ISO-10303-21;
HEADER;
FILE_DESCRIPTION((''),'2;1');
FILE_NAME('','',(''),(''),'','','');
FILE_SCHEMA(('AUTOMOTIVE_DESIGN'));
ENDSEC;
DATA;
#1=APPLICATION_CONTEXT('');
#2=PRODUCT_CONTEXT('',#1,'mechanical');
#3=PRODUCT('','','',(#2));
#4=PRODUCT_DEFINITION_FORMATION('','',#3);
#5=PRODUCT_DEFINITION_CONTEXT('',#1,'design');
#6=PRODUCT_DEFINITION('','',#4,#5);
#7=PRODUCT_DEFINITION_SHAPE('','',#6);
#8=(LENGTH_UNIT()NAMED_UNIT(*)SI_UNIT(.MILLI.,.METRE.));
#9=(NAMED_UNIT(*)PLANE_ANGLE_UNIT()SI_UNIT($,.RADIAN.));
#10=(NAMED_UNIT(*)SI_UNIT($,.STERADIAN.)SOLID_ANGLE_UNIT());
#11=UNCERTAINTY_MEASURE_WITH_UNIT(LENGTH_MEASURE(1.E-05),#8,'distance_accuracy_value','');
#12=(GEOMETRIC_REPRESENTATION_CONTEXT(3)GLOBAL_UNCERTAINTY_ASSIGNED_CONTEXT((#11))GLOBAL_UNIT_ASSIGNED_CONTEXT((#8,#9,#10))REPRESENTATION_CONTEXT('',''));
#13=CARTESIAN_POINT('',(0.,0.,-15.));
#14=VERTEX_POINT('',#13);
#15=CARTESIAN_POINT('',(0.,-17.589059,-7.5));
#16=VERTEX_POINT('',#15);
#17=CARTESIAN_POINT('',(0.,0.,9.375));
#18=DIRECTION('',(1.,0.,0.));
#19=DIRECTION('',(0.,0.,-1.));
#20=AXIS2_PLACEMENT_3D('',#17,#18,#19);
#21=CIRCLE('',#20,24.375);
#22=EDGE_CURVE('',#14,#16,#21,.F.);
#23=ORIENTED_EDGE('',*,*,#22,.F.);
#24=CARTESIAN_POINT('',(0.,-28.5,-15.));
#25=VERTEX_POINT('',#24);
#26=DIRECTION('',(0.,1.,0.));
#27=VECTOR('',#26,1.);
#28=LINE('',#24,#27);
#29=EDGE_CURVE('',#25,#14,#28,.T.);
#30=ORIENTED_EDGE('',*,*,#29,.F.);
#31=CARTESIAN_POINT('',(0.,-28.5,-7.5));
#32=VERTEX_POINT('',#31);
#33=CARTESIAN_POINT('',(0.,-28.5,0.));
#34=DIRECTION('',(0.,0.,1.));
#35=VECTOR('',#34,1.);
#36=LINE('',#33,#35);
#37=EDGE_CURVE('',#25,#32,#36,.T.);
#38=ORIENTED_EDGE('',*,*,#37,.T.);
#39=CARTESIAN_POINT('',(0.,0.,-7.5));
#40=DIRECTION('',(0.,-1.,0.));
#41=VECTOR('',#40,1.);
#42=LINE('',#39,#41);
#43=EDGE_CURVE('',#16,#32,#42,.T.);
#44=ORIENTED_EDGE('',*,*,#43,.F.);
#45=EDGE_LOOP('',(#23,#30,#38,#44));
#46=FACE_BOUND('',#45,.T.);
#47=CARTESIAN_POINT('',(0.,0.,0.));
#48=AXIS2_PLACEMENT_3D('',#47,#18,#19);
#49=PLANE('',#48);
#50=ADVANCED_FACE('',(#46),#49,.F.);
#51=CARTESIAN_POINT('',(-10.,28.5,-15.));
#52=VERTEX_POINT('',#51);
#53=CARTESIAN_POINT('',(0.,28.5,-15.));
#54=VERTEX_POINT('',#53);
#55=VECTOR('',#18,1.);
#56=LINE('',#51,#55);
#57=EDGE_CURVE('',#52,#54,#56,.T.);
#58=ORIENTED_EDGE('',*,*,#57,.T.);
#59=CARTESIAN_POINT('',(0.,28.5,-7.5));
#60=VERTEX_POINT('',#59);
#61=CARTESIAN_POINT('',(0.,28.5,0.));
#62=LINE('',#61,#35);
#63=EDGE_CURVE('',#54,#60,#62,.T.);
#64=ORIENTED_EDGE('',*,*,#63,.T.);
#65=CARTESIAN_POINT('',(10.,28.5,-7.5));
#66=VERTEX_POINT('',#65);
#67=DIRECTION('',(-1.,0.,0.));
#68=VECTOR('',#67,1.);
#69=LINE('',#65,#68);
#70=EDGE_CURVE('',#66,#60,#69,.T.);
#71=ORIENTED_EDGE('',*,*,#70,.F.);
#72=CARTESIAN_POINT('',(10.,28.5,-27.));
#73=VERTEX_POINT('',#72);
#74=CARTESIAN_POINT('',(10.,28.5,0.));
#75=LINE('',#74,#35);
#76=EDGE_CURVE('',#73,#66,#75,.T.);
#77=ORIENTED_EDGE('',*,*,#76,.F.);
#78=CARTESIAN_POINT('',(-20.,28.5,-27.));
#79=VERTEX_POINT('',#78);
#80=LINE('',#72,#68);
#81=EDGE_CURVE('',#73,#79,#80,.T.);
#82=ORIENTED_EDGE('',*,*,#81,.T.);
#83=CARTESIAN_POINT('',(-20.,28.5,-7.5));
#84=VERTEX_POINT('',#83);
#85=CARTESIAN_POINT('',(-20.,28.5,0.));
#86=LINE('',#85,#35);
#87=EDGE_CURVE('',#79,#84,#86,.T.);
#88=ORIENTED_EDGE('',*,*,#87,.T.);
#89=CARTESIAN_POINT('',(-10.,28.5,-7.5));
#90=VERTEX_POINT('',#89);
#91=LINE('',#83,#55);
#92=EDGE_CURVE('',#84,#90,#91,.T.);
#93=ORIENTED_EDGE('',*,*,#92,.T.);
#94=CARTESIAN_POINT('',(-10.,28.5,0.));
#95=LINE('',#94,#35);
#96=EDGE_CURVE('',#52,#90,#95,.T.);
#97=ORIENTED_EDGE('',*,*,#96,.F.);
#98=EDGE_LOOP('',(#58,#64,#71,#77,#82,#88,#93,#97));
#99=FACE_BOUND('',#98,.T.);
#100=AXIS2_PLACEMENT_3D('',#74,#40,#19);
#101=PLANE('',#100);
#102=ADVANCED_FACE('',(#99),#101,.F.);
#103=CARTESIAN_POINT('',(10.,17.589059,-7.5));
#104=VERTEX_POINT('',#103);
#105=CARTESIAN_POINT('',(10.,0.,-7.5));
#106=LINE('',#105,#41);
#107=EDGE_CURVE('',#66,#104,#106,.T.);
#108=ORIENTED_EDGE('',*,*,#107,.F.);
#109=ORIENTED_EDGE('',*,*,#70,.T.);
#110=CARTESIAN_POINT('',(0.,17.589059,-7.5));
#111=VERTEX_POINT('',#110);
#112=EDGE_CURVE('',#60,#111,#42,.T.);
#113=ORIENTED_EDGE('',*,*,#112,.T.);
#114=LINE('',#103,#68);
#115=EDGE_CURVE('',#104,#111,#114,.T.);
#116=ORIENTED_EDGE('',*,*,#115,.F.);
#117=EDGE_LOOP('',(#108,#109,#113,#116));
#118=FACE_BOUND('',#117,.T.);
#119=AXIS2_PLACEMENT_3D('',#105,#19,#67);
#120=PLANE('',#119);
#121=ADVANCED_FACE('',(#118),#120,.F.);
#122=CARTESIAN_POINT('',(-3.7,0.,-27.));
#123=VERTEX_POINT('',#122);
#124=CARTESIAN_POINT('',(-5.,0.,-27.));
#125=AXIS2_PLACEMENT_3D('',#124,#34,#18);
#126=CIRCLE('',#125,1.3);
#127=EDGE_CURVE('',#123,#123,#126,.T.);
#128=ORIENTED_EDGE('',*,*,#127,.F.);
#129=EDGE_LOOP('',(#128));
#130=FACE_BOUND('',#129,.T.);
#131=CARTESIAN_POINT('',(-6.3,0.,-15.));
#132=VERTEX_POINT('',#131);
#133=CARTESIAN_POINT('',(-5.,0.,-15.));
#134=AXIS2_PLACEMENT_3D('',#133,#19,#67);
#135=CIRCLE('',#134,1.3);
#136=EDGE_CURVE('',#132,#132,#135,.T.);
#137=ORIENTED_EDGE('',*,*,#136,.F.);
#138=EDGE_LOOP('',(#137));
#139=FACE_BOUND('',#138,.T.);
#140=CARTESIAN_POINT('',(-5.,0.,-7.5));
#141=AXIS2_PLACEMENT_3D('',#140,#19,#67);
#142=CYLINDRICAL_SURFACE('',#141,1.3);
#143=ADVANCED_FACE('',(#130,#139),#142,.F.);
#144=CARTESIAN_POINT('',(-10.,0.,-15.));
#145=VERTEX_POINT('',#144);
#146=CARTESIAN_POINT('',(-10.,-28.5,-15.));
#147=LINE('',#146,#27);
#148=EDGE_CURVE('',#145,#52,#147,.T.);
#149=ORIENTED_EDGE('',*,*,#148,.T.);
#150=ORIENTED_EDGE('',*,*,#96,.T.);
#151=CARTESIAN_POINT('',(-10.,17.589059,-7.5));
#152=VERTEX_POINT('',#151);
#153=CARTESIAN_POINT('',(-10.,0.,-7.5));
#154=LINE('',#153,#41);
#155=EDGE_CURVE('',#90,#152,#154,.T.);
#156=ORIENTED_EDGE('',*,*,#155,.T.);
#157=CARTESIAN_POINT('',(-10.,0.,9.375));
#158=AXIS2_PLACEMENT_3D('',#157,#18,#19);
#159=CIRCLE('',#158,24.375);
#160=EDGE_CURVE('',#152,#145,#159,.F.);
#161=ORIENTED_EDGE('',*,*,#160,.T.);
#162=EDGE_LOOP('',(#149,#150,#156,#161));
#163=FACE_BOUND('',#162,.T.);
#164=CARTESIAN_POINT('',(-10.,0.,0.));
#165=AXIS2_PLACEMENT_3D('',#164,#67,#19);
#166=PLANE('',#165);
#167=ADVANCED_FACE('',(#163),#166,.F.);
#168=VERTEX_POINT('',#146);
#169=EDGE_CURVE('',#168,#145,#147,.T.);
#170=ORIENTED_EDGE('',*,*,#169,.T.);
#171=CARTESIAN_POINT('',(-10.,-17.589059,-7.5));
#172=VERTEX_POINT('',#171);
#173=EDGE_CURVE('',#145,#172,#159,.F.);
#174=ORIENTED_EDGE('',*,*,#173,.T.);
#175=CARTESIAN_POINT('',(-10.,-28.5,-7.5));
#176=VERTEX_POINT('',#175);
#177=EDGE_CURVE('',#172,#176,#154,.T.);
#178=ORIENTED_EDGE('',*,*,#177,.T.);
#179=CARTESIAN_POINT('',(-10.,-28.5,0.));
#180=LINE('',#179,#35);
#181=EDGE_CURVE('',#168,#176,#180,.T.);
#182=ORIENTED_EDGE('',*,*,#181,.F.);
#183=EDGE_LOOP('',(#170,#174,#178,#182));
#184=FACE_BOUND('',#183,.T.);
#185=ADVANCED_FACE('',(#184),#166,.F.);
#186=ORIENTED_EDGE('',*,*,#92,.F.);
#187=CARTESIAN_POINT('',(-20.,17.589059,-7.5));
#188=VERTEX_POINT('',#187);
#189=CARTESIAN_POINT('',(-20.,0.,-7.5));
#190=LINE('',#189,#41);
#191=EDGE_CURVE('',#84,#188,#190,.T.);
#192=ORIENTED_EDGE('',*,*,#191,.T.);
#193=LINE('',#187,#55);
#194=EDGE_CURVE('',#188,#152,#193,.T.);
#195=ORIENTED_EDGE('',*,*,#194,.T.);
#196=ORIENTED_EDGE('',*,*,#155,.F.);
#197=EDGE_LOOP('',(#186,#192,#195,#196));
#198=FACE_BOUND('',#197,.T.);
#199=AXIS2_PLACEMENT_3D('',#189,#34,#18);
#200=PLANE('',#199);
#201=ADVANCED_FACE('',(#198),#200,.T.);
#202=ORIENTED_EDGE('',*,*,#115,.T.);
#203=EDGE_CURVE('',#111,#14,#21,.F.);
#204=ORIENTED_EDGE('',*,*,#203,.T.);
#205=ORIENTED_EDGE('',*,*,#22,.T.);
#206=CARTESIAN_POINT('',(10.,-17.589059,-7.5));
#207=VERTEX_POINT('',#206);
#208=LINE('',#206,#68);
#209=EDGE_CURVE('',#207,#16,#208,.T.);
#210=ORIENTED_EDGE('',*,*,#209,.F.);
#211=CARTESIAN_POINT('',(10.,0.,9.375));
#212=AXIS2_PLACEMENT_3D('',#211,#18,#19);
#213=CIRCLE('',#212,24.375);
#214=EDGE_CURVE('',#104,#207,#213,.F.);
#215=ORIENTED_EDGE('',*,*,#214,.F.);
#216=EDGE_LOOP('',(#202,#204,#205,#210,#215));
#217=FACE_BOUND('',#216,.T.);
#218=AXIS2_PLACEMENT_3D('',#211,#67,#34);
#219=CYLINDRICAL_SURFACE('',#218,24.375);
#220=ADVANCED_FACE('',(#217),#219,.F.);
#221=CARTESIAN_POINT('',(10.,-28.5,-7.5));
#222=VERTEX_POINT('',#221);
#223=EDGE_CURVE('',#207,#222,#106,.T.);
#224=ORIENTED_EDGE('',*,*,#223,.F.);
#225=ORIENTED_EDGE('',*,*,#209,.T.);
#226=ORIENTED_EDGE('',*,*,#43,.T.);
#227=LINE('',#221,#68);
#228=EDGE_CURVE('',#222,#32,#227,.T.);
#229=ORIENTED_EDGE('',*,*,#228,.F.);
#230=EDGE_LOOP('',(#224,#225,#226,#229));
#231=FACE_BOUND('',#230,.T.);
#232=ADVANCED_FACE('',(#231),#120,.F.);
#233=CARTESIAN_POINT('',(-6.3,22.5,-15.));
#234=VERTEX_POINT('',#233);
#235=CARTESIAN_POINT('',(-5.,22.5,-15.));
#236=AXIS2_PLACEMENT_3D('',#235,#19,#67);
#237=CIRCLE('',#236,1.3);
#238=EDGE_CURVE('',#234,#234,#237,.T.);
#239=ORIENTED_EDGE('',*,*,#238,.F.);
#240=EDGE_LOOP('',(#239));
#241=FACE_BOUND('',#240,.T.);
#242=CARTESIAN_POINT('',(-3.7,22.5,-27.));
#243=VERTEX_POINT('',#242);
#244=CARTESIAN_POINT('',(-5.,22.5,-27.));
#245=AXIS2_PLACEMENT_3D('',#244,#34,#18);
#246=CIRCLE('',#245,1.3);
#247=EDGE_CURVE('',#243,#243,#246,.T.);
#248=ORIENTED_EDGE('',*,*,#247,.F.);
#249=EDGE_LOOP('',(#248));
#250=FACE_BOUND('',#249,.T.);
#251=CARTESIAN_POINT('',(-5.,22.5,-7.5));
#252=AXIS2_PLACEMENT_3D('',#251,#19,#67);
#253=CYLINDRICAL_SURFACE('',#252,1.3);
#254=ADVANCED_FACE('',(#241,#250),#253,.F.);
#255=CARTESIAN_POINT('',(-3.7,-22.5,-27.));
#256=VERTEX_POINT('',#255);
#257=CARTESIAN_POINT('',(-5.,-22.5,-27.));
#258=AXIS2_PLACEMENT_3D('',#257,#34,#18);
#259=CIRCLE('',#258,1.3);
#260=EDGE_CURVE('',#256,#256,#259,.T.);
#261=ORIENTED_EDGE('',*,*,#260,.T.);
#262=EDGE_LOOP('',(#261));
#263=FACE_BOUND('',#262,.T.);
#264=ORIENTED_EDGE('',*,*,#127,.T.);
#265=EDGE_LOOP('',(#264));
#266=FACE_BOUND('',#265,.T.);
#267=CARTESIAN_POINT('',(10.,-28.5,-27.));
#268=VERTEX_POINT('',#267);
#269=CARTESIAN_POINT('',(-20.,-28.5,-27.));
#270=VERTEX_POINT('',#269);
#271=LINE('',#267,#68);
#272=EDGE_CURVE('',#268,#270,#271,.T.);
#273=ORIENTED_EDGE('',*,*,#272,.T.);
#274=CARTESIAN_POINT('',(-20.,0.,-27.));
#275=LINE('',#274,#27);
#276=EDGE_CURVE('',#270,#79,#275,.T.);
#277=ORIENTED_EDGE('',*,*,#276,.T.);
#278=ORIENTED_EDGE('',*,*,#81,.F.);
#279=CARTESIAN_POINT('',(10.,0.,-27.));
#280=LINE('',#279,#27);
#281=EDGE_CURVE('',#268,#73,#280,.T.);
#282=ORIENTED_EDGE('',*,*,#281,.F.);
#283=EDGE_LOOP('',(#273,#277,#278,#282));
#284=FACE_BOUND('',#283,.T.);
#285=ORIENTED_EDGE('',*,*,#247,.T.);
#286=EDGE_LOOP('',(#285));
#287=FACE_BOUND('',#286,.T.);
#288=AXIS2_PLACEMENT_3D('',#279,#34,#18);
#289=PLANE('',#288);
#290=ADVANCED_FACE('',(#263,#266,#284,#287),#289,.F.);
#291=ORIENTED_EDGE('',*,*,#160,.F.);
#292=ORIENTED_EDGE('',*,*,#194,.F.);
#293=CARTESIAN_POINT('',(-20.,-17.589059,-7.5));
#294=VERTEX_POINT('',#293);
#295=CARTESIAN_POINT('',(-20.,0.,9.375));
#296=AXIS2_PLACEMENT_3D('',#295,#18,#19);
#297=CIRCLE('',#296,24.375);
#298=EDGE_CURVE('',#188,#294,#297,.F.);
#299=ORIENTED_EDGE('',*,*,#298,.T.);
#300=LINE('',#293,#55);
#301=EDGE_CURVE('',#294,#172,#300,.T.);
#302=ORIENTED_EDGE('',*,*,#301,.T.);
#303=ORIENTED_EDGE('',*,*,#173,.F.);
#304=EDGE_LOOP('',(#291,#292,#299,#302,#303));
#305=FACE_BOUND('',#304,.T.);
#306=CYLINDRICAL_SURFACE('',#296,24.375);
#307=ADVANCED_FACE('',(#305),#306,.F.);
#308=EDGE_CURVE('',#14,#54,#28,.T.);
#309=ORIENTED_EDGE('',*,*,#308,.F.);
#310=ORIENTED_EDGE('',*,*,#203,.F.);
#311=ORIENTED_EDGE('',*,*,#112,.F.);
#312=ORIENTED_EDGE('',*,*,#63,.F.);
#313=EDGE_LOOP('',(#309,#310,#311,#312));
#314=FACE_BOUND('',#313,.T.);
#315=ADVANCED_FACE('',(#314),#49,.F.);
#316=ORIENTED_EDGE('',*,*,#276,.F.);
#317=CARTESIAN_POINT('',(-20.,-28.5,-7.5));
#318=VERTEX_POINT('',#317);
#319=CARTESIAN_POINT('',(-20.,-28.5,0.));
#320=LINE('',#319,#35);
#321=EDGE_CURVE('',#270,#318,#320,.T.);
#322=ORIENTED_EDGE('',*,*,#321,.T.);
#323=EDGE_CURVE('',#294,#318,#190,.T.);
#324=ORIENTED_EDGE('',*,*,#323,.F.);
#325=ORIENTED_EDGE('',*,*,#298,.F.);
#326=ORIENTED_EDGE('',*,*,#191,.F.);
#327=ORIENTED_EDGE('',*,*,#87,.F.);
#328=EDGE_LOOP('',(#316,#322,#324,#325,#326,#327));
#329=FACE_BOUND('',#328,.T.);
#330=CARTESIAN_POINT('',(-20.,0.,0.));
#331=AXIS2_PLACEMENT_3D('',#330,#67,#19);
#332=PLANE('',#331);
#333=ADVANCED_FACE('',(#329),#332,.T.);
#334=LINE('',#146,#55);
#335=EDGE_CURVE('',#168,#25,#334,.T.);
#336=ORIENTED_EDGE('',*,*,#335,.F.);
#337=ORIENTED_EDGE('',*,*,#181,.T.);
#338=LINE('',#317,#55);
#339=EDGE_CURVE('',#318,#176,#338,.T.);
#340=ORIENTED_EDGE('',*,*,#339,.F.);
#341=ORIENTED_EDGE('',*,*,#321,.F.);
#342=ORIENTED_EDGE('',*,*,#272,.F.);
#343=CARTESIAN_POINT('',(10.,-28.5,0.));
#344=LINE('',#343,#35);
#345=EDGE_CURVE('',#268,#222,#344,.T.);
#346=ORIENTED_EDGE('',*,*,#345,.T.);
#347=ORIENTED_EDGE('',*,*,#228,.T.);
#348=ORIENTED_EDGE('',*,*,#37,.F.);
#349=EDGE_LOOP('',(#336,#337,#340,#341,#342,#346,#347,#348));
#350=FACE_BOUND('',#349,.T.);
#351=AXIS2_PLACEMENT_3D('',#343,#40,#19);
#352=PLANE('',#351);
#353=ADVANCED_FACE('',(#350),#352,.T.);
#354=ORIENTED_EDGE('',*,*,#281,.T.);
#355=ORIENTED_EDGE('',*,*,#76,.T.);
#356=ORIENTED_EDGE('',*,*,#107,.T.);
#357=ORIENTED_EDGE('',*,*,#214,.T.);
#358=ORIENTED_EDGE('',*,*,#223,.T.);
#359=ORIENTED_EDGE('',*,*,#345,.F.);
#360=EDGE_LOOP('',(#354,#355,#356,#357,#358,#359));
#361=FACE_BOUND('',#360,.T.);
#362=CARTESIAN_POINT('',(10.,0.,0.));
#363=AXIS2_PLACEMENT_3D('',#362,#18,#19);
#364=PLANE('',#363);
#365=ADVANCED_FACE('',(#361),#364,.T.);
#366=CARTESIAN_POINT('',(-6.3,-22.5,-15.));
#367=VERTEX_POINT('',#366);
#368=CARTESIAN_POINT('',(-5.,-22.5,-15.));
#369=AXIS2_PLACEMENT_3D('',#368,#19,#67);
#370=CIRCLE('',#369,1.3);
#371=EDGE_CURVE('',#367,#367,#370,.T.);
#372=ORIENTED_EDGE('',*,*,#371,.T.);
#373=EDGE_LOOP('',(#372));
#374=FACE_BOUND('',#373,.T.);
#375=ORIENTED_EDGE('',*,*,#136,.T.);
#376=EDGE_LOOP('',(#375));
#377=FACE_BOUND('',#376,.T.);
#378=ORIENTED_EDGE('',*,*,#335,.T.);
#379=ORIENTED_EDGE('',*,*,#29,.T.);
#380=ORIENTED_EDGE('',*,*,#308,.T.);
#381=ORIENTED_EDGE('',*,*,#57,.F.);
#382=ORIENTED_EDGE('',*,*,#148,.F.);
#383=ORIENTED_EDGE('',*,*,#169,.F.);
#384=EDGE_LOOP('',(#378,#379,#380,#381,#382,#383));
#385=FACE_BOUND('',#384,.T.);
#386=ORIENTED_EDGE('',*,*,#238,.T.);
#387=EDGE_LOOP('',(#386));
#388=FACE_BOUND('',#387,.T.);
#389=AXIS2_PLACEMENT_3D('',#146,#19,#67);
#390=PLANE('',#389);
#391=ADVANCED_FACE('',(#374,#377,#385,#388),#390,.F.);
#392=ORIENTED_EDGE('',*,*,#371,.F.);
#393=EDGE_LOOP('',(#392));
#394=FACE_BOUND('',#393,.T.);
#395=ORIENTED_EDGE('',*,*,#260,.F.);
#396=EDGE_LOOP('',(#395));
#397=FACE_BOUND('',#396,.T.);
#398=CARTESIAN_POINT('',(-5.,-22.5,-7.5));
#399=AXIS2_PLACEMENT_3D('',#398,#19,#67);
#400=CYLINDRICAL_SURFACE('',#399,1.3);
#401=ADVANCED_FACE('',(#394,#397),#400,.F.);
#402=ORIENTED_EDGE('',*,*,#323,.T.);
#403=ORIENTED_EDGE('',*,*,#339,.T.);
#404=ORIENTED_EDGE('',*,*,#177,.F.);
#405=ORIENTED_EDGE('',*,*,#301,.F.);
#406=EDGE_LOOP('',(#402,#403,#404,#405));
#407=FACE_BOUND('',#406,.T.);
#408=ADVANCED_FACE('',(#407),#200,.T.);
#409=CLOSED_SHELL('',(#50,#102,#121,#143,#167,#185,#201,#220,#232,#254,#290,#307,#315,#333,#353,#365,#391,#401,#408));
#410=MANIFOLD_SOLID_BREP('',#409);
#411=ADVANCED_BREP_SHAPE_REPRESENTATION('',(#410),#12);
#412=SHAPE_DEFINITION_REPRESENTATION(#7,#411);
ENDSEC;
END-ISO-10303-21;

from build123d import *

# Parameters (mm, degrees)
BOSS_EXTRUDE1_DEPTH     = 10
SKETCH4_W               = 12
SKETCH4_H               = 57
BOSS_EXTRUDE2_DEPTH     = 10
SKETCH3_R               = 1.3
CUT_EXTRUDE1_DEPTH      = 1
CUT_EXTRUDE1_DEPTH_BACK = 20.5


with BuildPart() as part:
    # Sketch2 → Boss-Extrude1 (new body)
    with BuildSketch(Plane(origin=(0, 0, 0), x_dir=(0, 0, -1), z_dir=(1, 0, 0))):
        with BuildLine():
            Line((27, 28.5), (7.5, 28.5))
            Line((7.5, 28.5), (7.5, 17.589059099))
            ThreePointArc((7.5, 17.589059099), (15, 0), (7.5, -17.589059099))
            Line((7.5, -17.589059099), (7.5, -28.5))
            Line((7.5, -28.5), (27, -28.5))
            Line((27, -28.5), (27, 28.5))
        make_face()
    boss_extrude1 = extrude(amount=BOSS_EXTRUDE1_DEPTH)

    # Sketch4 → Boss-Extrude2 (add)
    with BuildSketch(Plane.ZY):
        with Locations((-21, 0)):
            Rectangle(SKETCH4_W, SKETCH4_H)
    extrude(amount=BOSS_EXTRUDE2_DEPTH)

    # Mirror1: Boss-Extrude1 across plane
    add(boss_extrude1.mirror(Plane.ZY.offset(5)))

    # Sketch3 → Cut-Extrude1 (cut, two sides)
    with BuildSketch(Plane(origin=(0, 0, -27), x_dir=(-1, 0, 0), z_dir=(0, 0, -1))) as cut_extrude1_sk:
        with Locations((5, -22.5)):
            Circle(SKETCH3_R)
        with Locations((5, 22.5)):
            Circle(SKETCH3_R)
        with Locations((5, 0)):
            Circle(SKETCH3_R)
    extrude(amount=CUT_EXTRUDE1_DEPTH, mode=Mode.SUBTRACT)
    extrude(cut_extrude1_sk.sketch, amount=-CUT_EXTRUDE1_DEPTH_BACK, mode=Mode.SUBTRACT)


solid = part.part
